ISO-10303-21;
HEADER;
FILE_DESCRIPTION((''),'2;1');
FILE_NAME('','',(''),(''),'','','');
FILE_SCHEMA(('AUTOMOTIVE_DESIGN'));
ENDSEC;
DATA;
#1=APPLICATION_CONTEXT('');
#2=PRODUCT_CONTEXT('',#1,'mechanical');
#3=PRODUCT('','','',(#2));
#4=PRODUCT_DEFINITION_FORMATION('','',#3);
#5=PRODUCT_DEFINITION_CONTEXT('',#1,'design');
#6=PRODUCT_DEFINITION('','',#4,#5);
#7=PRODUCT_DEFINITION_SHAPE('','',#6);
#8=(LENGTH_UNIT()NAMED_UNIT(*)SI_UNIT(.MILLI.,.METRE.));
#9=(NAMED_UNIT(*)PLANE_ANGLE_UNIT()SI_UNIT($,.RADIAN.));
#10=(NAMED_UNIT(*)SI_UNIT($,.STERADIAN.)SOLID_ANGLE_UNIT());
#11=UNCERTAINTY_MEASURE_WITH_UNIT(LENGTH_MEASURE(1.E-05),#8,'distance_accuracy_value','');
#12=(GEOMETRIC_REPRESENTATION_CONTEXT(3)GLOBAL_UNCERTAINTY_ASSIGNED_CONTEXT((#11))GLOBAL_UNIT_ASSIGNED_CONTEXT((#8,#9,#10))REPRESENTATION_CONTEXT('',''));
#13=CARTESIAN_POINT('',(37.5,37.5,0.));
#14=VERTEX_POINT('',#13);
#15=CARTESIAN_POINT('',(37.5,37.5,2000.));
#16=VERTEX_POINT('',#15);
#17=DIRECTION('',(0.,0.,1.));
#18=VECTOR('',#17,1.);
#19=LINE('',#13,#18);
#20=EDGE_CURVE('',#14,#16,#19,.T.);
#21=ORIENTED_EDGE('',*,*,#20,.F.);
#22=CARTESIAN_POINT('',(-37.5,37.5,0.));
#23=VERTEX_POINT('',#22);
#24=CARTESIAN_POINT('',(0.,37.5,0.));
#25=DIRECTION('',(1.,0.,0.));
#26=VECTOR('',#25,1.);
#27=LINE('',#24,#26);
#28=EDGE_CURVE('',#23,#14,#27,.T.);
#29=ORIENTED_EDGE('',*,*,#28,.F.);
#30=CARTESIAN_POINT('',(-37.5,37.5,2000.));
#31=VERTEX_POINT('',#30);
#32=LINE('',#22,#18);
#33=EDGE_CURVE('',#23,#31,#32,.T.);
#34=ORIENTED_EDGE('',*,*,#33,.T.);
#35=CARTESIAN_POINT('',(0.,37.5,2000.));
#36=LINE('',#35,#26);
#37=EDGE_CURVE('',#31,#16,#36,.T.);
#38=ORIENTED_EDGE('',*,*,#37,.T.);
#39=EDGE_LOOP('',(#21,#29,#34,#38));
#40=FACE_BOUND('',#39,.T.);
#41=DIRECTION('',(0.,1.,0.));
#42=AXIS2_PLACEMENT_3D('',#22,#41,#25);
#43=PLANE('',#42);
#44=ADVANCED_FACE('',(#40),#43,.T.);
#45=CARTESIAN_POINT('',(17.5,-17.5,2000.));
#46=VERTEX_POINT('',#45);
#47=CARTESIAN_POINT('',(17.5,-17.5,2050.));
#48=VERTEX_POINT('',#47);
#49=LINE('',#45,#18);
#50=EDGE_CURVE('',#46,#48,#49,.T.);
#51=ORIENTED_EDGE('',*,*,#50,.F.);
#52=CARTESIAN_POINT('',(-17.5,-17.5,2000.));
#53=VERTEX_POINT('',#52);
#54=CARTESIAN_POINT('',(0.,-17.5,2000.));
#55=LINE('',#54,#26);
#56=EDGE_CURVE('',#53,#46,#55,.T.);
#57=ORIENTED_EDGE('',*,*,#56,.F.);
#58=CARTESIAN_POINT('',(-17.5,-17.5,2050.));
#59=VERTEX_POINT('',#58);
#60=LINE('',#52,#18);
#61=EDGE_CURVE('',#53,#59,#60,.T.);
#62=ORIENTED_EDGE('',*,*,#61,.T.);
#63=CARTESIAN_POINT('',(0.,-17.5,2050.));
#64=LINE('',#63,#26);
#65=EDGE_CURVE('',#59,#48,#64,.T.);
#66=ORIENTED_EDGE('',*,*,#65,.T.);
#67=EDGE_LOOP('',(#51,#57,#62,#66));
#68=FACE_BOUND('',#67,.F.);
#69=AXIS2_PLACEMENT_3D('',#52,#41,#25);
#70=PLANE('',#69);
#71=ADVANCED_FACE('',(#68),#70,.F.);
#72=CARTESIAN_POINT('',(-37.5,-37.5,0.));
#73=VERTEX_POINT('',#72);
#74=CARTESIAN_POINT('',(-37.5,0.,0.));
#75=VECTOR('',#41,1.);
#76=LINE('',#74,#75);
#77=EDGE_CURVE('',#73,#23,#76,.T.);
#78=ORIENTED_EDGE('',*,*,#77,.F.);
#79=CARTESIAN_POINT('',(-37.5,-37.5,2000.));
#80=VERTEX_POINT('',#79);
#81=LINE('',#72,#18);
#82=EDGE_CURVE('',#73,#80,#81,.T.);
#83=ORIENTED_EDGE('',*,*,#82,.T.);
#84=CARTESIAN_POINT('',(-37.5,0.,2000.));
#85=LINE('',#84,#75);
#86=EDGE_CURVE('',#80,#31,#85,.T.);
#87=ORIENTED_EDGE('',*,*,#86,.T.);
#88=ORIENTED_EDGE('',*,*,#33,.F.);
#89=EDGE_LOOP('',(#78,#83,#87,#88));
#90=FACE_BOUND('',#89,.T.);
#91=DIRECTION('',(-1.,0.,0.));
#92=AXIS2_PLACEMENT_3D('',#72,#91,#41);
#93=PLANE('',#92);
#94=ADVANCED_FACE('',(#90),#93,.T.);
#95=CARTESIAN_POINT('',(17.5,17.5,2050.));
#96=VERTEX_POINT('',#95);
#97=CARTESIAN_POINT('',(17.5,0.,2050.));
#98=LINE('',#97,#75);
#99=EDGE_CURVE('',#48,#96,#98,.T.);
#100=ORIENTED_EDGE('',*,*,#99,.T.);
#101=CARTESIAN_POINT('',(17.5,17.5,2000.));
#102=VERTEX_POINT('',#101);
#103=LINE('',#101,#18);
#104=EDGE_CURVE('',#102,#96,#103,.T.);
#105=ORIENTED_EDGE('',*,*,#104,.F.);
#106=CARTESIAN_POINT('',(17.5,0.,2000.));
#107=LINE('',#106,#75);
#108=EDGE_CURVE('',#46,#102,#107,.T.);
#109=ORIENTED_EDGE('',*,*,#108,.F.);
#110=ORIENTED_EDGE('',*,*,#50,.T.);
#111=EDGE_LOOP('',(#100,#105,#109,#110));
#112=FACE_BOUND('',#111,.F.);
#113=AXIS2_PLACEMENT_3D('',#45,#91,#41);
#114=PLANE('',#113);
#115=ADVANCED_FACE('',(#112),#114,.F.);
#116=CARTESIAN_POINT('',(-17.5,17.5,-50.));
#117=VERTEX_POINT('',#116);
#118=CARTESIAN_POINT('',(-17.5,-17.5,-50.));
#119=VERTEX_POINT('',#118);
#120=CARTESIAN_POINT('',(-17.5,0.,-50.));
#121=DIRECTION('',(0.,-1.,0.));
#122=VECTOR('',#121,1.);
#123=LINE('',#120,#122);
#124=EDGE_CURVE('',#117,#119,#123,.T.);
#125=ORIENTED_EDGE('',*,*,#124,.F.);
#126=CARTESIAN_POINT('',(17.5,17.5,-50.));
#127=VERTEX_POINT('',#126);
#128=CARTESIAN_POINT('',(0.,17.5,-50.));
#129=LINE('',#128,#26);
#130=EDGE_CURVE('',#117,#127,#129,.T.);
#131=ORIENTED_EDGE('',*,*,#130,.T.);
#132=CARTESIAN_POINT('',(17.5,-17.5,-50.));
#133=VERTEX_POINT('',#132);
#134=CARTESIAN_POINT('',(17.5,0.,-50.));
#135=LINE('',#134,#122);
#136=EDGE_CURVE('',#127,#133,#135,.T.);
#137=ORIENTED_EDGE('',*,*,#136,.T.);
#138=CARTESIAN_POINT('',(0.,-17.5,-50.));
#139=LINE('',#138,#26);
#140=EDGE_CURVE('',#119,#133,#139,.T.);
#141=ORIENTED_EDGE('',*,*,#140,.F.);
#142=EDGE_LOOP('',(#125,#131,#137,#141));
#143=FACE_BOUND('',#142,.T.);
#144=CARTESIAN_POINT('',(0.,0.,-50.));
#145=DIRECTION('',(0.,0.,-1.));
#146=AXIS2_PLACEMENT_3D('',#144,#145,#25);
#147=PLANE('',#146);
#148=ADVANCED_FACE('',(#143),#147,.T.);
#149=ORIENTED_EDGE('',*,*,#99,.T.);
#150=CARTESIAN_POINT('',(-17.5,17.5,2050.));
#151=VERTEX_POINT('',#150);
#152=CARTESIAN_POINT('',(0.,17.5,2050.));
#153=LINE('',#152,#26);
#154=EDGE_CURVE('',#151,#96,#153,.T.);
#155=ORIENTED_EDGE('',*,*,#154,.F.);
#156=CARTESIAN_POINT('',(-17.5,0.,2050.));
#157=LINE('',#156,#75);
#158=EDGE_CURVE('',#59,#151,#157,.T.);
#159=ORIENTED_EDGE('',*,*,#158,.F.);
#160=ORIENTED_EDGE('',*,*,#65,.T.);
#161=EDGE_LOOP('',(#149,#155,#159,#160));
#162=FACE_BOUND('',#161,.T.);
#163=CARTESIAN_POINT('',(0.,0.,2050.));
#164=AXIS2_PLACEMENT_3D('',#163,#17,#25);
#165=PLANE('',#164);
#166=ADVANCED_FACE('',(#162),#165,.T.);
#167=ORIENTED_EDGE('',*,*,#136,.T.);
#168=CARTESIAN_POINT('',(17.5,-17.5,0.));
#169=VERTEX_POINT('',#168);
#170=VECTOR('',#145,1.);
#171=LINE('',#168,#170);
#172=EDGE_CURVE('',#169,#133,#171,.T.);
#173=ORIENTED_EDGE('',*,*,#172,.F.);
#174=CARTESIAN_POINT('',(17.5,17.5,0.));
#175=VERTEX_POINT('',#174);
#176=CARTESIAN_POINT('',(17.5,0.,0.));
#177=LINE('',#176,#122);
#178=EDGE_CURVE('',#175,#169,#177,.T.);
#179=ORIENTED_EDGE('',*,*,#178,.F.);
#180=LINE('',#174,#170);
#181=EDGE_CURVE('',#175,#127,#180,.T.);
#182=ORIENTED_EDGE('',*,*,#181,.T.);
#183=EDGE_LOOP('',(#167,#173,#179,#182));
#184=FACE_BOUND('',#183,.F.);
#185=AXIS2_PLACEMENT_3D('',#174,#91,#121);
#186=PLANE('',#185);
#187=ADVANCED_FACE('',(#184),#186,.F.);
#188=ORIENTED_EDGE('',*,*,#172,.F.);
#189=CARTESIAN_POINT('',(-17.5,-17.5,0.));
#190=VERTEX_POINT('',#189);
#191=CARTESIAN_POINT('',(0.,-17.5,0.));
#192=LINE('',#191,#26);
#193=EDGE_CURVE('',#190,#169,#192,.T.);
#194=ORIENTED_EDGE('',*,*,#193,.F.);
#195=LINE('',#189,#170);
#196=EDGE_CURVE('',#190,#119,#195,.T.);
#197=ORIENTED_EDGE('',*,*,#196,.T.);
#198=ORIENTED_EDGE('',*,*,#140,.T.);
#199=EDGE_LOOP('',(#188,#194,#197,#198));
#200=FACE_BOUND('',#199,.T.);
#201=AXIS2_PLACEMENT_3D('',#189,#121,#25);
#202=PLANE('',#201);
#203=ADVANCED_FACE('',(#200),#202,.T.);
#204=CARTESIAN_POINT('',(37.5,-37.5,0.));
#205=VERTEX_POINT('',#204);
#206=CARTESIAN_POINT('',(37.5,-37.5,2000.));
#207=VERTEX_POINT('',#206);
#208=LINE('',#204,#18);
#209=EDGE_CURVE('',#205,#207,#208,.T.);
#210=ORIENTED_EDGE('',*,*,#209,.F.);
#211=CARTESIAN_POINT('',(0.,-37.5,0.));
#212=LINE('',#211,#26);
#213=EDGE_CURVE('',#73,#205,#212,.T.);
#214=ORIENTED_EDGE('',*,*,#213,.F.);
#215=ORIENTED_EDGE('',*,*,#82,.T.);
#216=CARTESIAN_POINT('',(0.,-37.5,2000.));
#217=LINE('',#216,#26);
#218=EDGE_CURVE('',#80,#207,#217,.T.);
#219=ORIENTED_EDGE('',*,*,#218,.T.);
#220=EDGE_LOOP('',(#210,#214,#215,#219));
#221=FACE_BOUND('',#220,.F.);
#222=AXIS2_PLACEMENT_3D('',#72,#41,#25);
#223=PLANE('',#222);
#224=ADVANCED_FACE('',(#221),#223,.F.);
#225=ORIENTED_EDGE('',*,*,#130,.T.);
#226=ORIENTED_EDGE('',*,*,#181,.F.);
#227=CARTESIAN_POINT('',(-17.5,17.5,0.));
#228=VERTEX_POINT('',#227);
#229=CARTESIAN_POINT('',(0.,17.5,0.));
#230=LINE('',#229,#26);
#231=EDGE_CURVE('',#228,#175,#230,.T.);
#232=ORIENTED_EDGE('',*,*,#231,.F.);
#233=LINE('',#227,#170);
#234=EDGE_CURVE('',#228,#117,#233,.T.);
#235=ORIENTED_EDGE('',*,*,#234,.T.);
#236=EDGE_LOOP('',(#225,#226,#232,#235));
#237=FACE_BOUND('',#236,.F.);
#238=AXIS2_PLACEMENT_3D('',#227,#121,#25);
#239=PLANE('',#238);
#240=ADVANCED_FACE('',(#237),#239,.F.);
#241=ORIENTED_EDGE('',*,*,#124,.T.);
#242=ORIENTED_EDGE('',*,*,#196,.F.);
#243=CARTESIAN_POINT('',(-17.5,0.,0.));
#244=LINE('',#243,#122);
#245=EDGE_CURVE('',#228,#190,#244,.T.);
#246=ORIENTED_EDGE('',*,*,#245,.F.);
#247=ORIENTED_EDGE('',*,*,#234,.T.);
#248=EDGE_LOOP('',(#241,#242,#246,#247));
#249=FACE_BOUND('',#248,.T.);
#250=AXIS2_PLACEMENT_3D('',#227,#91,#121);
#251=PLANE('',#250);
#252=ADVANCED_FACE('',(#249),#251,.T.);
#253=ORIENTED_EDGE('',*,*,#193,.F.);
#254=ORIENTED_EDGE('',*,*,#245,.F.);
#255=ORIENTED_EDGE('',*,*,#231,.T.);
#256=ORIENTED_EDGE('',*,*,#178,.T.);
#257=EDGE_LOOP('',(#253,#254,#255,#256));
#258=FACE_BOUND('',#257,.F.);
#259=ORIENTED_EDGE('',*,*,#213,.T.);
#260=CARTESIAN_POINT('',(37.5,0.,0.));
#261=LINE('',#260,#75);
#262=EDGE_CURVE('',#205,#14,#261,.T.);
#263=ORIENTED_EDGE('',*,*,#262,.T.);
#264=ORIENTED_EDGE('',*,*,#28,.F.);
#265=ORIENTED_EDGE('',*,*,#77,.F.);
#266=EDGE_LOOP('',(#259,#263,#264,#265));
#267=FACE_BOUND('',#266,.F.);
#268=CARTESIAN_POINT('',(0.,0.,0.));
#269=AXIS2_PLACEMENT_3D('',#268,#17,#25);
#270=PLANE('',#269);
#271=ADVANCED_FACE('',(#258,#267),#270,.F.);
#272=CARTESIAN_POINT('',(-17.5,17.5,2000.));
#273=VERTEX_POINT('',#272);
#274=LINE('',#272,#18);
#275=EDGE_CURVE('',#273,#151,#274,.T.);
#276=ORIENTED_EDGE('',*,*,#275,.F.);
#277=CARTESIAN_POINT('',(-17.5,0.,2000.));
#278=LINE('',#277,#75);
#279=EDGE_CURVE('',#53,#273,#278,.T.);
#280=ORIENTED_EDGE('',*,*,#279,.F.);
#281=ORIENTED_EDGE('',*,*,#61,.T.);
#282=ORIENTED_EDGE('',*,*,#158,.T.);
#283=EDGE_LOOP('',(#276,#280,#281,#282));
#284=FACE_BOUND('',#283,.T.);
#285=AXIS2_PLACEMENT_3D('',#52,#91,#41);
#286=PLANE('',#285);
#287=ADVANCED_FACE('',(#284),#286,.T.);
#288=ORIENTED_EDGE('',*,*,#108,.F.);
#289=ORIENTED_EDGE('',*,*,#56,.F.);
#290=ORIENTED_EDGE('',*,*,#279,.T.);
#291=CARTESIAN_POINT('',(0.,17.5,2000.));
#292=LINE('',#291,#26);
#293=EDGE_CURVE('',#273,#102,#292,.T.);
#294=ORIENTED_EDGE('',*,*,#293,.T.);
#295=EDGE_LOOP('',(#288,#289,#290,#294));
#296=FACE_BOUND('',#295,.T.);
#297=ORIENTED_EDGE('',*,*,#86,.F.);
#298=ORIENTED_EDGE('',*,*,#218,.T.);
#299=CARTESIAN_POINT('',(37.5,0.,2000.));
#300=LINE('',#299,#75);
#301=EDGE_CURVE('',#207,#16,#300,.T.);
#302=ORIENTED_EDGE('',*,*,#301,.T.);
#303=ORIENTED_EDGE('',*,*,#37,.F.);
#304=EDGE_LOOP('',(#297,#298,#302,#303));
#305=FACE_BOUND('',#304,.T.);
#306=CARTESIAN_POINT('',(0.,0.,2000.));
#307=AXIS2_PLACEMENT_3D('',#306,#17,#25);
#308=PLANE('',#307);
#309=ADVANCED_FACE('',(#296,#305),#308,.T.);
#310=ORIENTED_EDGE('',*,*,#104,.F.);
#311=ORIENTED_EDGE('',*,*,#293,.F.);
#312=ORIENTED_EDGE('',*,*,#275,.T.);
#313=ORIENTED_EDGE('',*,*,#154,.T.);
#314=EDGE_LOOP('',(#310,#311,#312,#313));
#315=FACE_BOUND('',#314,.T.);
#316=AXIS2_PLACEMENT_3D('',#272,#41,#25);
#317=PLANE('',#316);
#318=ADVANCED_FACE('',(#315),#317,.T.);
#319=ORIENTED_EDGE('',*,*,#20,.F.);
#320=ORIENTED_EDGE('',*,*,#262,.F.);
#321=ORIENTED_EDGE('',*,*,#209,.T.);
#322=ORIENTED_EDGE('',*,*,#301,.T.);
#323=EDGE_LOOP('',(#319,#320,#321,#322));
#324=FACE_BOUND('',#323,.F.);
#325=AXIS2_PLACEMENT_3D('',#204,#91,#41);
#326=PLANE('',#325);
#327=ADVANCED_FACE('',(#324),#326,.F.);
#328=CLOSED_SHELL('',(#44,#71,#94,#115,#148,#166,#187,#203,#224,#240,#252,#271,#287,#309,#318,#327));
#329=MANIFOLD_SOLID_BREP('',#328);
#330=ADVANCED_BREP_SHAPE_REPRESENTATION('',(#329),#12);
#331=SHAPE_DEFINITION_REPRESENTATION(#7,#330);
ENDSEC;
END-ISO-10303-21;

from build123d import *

# Parameters (mm, degrees)
F0_W     = 75
F0_H     = 75
F1_DEPTH = 2000
F2_W     = 35
F2_H     = 35
F4_DEPTH = 50
F3_W     = 35
F3_H     = 35
F5_DEPTH = 50


with BuildPart() as f1:
    # F0 (on Top) → F1 (new body)
    with BuildSketch(Plane.XY):
        Rectangle(F0_W, F0_H)
    extrude(amount=F1_DEPTH)

    # F2 (on face) → F4 (join)
    with BuildSketch(Plane(origin=(0, 0, 0), x_dir=(1, 0, 0), z_dir=(0, 0, -1))):
        Rectangle(F2_W, F2_H)
    extrude(amount=F4_DEPTH)

    # F3 (on face) → F5 (join)
    with BuildSketch(Plane.XY.offset(2000)):
        Rectangle(F3_W, F3_H)
    extrude(amount=F5_DEPTH)


solid = f1.part
